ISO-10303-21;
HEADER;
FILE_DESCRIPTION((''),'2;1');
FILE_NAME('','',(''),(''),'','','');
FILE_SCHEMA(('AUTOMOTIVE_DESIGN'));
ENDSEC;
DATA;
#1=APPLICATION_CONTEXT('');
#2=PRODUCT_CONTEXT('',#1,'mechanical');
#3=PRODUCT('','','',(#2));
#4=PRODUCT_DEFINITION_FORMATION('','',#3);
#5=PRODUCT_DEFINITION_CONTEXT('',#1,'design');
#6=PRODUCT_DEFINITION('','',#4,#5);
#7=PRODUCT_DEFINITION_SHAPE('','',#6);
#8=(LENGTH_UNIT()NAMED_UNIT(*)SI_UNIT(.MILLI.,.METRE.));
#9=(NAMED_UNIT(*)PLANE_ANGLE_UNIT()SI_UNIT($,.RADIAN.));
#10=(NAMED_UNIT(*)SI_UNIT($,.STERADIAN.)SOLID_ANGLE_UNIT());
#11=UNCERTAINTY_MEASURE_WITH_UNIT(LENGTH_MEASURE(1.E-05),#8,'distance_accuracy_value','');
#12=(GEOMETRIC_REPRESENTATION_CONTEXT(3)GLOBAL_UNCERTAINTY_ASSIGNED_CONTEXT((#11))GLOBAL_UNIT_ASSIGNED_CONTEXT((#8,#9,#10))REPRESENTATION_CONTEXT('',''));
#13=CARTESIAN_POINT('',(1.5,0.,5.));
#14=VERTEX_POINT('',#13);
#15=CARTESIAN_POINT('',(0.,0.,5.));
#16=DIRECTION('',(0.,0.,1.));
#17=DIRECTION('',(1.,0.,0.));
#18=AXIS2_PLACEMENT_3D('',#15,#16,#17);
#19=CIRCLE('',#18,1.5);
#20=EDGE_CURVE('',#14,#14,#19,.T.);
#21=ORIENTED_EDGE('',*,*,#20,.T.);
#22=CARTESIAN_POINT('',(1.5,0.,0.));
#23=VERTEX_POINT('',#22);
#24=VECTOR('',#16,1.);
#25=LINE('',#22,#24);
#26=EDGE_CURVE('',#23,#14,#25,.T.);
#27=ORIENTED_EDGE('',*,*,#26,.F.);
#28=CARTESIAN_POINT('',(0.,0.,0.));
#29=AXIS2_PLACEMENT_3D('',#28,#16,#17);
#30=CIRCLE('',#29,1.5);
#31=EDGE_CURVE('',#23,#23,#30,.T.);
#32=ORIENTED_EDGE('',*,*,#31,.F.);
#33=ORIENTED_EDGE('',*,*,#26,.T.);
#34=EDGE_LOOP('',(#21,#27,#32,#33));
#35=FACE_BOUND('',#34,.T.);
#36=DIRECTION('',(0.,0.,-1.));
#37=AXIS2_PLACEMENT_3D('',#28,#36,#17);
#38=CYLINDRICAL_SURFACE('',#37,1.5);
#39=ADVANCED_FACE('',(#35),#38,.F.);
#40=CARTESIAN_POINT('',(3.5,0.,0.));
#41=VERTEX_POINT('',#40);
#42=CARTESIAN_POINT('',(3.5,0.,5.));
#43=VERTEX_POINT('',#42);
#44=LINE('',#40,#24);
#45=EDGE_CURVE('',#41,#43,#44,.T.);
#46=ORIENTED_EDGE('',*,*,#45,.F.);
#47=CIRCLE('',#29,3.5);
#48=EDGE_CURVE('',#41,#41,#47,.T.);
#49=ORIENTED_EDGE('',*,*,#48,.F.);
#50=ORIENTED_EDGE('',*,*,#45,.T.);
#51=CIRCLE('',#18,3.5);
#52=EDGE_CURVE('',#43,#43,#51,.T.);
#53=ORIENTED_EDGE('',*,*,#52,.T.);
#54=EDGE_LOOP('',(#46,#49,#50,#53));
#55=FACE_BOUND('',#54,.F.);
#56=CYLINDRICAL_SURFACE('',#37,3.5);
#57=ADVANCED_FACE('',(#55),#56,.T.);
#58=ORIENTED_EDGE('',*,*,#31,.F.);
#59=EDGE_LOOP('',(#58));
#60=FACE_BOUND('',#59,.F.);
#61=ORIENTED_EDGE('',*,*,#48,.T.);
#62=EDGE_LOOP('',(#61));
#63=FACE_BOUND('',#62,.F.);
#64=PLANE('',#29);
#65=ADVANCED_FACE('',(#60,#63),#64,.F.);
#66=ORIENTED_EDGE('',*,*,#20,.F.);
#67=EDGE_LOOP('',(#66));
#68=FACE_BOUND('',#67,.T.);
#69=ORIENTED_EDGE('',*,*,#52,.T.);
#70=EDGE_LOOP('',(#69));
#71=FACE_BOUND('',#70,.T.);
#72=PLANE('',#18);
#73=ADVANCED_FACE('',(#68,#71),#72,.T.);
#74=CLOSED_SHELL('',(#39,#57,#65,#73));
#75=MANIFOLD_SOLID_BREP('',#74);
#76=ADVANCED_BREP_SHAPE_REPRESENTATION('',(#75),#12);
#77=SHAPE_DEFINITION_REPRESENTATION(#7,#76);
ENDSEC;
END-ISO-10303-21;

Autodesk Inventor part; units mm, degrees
ref_plane "YZ Plane" through (0, 0, 0) normal (1, 0, 0) x (0, 1, 0)
ref_plane "XZ Plane" through (0, 0, 0) normal (0, 1, 0) x (-1, 0, 0)
ref_plane "XY Plane" through (0, 0, 0) normal (0, 0, 1) x (1, 0, 0)
sketch "Sketch1" plane through (0, 0, 0) normal (0, 0, 1) x (1, 0, 0)
  circle A0 centre (0, 0) radius 1.5
  circle A1 centre (0, 0) radius 3.5
  dimension "d0" = 3
  dimension "d1" = 2
extrude "Extrusion1" add sketch "Sketch1" along normal blind 5
properties part number "3DP_PLA_Part_Detector_Mounting_Bracket_Short_Washer"
